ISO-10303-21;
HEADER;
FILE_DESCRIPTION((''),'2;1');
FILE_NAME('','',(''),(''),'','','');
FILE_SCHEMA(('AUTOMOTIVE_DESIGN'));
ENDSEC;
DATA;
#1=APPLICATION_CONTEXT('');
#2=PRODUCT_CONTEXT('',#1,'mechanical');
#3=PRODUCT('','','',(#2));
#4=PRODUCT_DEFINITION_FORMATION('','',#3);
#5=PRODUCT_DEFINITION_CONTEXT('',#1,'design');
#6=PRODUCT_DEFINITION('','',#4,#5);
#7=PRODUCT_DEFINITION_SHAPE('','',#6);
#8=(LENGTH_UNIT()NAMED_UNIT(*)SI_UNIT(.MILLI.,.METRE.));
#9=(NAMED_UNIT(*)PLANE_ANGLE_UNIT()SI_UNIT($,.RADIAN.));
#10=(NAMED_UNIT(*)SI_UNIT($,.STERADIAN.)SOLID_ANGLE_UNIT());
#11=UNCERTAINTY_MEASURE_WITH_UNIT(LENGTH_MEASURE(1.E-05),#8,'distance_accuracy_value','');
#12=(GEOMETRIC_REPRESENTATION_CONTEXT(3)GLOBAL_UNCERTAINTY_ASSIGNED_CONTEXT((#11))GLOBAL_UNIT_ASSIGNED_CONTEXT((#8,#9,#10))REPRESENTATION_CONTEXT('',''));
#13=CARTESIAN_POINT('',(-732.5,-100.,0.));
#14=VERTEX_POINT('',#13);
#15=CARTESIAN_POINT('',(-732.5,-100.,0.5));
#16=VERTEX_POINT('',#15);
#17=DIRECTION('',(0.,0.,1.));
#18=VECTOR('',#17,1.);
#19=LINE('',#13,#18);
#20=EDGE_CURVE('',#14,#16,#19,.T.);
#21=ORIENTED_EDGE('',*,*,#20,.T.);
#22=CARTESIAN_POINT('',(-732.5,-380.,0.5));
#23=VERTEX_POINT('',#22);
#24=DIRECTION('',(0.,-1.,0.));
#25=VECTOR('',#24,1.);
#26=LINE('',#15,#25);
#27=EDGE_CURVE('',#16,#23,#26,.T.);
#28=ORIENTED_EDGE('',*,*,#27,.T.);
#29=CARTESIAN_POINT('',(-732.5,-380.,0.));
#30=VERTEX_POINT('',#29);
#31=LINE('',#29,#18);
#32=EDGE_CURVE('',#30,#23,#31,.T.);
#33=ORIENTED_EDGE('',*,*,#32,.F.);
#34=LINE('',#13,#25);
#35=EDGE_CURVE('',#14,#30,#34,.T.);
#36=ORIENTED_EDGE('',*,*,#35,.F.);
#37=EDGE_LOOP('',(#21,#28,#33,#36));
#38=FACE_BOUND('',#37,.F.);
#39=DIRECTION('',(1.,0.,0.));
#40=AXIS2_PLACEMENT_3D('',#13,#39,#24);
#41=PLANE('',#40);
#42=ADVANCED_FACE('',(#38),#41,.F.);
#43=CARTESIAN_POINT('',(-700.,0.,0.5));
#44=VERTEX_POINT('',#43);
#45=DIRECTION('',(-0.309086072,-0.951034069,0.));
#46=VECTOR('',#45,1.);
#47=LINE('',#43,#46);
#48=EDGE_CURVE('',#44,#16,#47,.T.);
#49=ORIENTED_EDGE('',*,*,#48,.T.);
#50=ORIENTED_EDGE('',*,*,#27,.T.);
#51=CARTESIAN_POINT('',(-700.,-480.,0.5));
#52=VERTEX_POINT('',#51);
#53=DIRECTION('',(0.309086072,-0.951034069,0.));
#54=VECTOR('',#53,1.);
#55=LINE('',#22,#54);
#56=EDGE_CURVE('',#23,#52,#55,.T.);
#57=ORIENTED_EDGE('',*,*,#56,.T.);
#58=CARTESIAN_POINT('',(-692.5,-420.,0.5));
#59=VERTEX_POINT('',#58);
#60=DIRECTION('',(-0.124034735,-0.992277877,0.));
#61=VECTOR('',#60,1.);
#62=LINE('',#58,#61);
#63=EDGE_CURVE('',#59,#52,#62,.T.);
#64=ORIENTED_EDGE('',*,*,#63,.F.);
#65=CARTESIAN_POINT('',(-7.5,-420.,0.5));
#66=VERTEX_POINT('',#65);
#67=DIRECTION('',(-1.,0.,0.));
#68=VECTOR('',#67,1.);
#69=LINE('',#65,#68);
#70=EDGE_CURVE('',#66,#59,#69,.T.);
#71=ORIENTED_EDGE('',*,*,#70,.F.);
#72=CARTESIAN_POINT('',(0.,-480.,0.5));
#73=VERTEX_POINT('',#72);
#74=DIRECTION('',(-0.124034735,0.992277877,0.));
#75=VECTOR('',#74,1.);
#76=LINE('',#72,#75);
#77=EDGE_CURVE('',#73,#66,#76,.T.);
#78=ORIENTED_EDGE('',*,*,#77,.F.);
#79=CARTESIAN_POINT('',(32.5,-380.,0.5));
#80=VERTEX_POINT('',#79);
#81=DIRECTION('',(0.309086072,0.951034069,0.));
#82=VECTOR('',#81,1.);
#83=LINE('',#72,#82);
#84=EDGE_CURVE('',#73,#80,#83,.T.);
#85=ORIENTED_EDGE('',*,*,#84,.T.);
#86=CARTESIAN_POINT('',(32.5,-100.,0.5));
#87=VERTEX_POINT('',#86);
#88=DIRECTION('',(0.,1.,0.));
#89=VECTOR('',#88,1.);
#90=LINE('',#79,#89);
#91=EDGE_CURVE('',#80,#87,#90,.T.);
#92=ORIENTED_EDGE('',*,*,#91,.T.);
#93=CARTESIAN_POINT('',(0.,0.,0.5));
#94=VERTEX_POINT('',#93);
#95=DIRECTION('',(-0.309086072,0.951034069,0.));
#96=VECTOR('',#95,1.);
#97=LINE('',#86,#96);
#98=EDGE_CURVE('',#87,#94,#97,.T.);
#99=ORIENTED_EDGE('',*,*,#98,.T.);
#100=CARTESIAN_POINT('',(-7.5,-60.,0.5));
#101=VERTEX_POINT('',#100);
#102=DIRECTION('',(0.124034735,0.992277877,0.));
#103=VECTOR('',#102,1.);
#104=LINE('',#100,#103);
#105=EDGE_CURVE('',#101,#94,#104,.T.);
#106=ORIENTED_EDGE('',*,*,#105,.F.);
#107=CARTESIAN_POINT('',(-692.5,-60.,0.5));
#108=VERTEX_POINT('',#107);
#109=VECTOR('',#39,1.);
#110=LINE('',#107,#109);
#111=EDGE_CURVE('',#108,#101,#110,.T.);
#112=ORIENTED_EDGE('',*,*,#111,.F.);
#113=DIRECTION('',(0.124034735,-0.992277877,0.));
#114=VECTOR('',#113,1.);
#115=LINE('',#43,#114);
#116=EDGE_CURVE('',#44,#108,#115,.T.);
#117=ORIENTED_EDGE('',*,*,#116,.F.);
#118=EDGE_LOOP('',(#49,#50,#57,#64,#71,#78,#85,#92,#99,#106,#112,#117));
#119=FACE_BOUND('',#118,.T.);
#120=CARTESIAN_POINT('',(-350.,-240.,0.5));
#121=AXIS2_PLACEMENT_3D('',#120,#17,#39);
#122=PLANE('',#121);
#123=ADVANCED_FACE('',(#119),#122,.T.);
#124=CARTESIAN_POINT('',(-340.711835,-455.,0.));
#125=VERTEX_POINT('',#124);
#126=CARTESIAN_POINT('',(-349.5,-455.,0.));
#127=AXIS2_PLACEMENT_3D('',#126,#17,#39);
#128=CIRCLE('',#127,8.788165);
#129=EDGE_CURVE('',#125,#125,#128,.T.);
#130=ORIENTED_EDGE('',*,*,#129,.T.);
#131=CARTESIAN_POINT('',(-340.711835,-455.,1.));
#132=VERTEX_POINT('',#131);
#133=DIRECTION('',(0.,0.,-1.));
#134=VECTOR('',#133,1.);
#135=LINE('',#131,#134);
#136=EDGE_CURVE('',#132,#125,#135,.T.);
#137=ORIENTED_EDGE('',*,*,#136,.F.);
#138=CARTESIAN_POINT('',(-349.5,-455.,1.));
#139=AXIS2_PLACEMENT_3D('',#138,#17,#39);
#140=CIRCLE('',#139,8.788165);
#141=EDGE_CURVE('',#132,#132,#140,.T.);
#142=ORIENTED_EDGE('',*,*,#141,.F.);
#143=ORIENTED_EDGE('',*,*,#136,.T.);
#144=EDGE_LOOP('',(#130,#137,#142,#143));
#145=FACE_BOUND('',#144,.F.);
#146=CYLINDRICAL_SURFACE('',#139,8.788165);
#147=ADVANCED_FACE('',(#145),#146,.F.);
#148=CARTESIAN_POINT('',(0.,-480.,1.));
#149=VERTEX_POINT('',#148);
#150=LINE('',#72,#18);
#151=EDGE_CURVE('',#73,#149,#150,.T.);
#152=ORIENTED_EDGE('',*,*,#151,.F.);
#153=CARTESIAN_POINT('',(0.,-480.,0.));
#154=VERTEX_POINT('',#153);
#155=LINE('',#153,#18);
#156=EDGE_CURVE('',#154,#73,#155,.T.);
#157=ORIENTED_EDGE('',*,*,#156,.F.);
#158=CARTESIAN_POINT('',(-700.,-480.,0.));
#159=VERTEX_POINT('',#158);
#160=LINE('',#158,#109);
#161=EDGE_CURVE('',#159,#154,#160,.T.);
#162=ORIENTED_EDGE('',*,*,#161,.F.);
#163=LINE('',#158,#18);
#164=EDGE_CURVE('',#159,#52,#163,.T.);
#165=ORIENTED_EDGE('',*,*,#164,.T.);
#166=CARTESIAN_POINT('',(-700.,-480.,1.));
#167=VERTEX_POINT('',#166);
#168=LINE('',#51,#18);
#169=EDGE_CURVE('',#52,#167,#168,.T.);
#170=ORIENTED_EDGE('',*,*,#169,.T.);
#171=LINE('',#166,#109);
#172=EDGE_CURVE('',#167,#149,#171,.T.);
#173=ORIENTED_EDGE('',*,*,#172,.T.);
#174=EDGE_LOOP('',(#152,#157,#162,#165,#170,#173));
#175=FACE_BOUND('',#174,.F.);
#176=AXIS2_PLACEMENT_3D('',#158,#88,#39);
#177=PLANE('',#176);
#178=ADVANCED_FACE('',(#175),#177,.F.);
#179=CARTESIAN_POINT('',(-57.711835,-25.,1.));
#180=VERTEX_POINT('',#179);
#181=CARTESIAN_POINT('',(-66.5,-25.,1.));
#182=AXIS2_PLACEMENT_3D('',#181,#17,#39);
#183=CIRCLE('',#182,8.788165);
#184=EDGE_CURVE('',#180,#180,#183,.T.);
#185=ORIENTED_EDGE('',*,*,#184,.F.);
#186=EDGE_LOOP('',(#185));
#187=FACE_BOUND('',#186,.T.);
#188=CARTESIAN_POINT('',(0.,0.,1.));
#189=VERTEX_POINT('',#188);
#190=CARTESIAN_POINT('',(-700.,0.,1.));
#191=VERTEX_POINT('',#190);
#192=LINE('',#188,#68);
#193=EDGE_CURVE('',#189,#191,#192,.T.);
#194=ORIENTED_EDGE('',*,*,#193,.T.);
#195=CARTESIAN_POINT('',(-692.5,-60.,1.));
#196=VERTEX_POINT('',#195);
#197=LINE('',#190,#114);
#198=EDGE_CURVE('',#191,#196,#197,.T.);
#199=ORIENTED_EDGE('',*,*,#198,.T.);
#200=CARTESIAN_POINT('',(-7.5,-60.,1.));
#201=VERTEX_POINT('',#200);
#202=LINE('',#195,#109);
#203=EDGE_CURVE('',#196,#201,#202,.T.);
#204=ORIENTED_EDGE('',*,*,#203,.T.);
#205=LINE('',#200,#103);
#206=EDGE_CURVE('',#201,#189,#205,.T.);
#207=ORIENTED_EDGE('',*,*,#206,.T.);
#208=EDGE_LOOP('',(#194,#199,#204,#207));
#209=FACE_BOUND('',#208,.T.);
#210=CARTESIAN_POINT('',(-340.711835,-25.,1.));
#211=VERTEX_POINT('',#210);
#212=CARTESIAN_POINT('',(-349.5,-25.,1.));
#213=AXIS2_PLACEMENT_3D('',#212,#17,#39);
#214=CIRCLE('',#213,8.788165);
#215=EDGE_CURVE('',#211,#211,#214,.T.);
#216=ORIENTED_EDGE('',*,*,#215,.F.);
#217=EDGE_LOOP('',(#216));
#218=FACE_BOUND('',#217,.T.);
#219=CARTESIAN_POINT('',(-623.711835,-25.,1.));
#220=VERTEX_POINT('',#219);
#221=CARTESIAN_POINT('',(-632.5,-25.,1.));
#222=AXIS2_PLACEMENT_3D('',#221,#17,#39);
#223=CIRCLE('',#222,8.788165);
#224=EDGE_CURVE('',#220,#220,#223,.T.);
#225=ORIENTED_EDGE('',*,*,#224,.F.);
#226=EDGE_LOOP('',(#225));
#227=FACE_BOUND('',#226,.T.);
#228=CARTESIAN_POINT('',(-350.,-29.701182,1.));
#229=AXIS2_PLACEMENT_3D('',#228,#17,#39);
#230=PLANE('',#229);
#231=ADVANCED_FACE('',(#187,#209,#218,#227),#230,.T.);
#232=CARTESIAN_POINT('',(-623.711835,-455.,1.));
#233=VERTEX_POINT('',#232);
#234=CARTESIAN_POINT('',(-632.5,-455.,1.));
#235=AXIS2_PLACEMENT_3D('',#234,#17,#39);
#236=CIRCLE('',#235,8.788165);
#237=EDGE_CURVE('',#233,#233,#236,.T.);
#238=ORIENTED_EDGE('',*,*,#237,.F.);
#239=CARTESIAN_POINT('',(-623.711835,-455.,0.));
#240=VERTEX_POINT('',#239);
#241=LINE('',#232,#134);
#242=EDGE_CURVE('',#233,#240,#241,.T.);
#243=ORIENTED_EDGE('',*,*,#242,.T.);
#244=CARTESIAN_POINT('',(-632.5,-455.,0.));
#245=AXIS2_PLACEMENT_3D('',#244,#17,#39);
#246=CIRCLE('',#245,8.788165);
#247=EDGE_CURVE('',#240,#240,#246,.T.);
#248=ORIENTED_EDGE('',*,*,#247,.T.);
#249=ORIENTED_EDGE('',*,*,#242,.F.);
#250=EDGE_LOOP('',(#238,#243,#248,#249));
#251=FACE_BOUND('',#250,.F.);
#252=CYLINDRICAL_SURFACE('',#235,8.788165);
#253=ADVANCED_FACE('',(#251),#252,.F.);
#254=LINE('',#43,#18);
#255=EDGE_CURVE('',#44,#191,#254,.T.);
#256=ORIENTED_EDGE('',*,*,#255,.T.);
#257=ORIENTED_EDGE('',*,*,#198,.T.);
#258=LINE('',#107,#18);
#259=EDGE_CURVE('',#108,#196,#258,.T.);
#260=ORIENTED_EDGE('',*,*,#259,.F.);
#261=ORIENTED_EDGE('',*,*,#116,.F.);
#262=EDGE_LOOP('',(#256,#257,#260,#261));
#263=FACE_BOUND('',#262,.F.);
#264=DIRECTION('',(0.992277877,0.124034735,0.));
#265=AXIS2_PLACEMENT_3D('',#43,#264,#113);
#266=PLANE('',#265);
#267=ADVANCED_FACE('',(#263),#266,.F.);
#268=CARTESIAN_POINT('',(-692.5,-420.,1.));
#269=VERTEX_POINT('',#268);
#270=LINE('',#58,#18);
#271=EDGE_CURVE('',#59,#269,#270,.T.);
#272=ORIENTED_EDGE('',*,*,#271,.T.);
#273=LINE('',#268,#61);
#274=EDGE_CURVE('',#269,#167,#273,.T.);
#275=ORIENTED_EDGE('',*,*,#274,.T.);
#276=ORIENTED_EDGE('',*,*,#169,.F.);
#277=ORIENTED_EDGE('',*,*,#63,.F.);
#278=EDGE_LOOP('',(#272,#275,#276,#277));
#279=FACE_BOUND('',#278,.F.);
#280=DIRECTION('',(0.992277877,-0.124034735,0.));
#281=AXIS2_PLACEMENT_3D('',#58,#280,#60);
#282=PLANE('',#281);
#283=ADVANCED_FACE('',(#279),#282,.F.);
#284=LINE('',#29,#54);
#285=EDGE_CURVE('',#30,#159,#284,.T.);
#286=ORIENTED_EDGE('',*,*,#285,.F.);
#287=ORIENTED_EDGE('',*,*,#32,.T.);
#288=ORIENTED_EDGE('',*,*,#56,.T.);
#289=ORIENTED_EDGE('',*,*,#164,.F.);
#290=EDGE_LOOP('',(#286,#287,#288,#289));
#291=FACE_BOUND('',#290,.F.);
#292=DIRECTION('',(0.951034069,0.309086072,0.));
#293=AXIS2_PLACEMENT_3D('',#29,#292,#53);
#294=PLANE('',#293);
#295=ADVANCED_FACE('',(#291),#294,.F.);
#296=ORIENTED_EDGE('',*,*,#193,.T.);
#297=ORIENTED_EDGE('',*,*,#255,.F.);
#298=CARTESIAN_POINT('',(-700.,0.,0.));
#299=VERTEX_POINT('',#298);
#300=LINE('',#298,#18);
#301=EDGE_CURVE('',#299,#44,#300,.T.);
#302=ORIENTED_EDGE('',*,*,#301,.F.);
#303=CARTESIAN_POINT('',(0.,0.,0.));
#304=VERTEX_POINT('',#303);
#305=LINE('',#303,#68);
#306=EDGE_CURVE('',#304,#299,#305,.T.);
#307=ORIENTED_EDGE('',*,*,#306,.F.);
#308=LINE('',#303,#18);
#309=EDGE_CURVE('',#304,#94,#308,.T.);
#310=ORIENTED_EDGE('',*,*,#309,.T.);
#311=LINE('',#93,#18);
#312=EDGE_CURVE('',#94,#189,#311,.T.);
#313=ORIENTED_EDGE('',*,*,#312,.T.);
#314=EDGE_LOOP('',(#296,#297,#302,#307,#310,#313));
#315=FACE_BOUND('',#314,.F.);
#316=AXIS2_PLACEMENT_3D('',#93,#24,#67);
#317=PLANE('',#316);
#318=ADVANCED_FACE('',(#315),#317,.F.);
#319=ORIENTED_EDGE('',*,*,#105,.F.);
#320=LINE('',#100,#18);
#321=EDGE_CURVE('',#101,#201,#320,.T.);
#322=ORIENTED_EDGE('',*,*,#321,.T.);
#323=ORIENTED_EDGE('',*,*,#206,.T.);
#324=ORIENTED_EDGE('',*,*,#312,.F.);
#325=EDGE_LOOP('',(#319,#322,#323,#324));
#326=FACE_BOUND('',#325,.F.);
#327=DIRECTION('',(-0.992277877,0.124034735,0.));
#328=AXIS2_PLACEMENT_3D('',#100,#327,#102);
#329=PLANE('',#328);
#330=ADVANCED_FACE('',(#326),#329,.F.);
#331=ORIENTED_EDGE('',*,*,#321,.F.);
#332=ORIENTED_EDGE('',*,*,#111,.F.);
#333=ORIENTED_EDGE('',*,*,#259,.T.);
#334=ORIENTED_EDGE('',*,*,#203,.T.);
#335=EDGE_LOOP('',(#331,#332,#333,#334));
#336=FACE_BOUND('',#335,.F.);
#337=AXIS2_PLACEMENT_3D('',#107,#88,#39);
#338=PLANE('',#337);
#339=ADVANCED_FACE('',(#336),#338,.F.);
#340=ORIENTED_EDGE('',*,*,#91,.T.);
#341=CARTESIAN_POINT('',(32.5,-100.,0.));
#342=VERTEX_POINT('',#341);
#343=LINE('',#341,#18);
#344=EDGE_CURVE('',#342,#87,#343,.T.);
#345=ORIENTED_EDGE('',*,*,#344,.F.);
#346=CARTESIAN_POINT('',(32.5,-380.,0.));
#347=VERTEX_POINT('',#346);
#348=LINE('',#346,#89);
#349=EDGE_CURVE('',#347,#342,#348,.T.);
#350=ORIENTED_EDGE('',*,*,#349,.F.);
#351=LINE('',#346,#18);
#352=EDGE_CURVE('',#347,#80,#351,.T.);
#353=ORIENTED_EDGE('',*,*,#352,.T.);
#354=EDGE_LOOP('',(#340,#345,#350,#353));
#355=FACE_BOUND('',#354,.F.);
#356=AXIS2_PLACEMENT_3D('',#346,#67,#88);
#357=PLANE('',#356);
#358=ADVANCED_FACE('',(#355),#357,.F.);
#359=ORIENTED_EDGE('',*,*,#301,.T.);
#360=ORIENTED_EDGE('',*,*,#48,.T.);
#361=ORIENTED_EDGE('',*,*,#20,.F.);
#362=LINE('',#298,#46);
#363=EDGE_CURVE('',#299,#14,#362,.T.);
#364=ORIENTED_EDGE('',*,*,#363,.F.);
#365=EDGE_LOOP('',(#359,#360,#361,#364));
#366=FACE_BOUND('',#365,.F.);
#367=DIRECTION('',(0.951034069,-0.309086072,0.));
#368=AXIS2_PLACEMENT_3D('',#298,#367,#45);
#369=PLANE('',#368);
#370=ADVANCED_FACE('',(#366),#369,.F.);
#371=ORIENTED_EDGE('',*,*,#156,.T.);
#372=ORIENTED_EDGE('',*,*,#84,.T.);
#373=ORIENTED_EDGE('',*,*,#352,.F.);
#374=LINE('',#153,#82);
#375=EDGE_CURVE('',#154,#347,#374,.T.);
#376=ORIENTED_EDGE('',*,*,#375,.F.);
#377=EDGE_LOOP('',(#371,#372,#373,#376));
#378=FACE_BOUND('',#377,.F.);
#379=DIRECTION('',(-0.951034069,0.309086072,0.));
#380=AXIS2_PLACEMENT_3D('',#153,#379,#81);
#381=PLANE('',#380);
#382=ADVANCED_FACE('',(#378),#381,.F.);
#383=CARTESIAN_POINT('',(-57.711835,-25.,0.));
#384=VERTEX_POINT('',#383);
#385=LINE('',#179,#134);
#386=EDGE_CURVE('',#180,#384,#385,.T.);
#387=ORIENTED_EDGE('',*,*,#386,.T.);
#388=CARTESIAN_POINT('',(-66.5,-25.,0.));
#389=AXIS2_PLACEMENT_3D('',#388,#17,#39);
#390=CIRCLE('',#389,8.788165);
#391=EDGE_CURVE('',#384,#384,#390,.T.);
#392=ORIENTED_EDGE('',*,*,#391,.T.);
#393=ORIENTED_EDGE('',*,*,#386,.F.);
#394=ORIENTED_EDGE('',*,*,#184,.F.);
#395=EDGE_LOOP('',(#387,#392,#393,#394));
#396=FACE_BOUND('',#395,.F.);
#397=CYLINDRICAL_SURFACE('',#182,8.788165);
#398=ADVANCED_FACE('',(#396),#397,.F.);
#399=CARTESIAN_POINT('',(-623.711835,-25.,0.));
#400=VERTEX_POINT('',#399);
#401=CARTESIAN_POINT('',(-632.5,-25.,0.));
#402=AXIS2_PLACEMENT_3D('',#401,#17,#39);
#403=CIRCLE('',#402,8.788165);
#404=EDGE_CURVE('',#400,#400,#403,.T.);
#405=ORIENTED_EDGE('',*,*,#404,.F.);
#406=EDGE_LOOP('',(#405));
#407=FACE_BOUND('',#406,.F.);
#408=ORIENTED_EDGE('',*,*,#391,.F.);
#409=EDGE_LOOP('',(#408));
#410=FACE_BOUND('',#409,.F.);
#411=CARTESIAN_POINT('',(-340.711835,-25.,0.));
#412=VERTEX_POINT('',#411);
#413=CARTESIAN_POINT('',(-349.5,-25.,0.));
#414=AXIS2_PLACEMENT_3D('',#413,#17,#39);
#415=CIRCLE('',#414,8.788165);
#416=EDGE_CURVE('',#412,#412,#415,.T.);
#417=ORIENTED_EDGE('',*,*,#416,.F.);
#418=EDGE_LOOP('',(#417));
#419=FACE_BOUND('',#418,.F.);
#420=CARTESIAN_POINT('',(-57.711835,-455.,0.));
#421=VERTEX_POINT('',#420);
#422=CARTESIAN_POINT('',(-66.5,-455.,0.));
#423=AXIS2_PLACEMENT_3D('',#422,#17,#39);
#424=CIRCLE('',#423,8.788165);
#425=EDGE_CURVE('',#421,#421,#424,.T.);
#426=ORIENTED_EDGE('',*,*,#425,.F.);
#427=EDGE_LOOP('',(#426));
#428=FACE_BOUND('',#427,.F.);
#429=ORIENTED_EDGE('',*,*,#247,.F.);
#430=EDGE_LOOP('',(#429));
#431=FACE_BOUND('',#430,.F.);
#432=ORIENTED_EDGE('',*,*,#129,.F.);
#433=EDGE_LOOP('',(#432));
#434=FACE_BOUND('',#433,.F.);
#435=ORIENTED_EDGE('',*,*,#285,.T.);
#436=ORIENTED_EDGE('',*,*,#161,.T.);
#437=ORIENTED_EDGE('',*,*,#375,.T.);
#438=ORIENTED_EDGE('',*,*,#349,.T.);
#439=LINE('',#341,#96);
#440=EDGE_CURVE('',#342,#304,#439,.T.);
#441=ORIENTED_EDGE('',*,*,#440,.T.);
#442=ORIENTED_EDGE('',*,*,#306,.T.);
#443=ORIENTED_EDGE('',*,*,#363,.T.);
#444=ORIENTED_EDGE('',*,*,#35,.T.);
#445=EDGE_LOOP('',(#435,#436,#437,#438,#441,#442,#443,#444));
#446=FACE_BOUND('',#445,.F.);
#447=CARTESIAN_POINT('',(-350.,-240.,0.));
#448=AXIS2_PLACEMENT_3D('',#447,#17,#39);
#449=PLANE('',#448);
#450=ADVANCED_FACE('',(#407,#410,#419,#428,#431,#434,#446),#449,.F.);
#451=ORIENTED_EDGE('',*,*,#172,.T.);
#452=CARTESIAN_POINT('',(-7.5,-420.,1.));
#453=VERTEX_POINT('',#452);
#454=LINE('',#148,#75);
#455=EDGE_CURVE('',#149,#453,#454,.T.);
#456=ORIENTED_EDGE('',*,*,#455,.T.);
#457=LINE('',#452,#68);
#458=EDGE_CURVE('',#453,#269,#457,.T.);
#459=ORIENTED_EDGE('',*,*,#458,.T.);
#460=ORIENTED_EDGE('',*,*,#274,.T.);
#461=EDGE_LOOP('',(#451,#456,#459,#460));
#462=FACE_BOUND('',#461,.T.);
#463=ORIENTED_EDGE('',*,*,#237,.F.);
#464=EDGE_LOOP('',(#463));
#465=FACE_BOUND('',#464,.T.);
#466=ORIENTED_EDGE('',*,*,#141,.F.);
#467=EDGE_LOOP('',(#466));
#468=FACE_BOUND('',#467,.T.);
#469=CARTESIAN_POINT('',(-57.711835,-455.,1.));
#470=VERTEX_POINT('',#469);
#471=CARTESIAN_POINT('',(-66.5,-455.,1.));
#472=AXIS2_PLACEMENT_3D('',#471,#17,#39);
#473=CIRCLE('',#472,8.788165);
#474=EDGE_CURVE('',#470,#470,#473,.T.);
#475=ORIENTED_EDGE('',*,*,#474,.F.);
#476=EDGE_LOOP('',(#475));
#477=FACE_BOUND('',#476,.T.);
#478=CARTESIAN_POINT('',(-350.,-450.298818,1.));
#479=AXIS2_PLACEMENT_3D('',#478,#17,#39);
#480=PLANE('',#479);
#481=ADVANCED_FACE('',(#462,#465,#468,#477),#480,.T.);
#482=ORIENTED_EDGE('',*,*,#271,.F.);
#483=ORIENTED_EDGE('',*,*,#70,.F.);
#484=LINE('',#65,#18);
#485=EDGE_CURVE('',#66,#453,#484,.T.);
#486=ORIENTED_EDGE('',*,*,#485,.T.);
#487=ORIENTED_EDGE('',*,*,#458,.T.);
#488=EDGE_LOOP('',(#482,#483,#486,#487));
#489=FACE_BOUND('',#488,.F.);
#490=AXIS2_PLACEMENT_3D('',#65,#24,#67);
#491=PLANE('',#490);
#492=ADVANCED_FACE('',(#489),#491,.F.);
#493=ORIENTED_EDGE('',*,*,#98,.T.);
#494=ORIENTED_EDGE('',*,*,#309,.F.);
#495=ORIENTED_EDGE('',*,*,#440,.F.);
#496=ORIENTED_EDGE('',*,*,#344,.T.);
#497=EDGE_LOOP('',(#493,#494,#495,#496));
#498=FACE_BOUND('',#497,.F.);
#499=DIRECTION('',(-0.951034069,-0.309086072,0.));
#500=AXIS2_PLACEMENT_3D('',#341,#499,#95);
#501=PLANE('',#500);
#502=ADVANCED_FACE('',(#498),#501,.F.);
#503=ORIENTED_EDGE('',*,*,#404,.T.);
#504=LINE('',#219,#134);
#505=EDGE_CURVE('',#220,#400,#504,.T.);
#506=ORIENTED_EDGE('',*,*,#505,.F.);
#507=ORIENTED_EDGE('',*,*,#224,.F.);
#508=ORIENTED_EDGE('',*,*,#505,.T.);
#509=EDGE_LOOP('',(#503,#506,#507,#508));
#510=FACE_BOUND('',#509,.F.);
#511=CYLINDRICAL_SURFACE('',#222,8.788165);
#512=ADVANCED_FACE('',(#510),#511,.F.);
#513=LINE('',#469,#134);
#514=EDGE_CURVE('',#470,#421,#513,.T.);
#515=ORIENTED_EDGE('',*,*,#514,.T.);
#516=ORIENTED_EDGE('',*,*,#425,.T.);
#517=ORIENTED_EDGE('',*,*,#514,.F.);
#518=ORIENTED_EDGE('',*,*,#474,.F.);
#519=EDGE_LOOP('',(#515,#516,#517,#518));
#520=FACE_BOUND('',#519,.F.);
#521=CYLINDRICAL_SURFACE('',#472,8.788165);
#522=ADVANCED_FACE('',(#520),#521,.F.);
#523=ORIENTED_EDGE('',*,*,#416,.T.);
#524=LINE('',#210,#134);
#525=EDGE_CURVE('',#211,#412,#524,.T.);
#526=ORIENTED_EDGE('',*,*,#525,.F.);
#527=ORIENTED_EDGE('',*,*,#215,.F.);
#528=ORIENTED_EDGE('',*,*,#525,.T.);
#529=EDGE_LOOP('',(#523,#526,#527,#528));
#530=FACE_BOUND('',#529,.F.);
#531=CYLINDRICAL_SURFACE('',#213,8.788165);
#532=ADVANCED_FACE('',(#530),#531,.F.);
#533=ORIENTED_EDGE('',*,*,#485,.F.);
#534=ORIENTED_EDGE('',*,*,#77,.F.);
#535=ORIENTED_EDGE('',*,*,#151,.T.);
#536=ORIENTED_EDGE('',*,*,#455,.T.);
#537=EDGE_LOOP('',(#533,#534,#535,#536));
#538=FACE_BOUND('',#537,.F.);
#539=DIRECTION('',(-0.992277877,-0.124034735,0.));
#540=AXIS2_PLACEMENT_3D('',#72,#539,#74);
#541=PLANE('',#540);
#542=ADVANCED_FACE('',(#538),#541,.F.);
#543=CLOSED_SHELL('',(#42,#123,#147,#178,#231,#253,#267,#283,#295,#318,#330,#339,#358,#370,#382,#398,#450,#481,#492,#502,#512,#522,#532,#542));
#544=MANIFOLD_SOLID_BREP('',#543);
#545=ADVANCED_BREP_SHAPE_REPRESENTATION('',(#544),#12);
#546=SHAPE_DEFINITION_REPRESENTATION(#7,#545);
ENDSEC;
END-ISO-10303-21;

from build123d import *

# Parameters (mm, degrees)
F1_DEPTH = 0.5
F3_DEPTH = 0.5
F4_R     = 8.788165
F5_DEPTH = 1.001


with BuildPart() as f1:
    # F0 (on Top) → F1 (new body)
    with BuildSketch(Plane.XY):
        Polygon((0, 0), (-700, 0), (-732.5, -100), (-732.5, -240), (-732.5, -380), (-700, -480), (0, -480), (32.5, -380), (32.5, -240), (32.5, -100), align=None)
    extrude(amount=F1_DEPTH)

    # F2 (on face) → F3 (join)
    with BuildSketch(Plane.XY.offset(0.5)):
        Polygon((0, 0), (-700, 0), (-692.5, -60), (-7.5, -60), align=None)
        Polygon((-692.5, -420), (-700, -480), (0, -480), (-7.5, -420), align=None)
    extrude(amount=F3_DEPTH)

    # F4 (on face) → F5 (cut, through all)
    with BuildSketch(Plane.XY.offset(1)):
        with Locations((-632.5, -25)):
            Circle(F4_R)
        with Locations((-632.5, -455)):
            Circle(F4_R)
        with Locations((-349.5, -25)):
            Circle(F4_R)
        with Locations((-349.5, -455)):
            Circle(F4_R)
        with Locations((-66.5, -25)):
            Circle(F4_R)
        with Locations((-66.5, -455)):
            Circle(F4_R)
    extrude(amount=-F5_DEPTH, mode=Mode.SUBTRACT)


solid = f1.part
